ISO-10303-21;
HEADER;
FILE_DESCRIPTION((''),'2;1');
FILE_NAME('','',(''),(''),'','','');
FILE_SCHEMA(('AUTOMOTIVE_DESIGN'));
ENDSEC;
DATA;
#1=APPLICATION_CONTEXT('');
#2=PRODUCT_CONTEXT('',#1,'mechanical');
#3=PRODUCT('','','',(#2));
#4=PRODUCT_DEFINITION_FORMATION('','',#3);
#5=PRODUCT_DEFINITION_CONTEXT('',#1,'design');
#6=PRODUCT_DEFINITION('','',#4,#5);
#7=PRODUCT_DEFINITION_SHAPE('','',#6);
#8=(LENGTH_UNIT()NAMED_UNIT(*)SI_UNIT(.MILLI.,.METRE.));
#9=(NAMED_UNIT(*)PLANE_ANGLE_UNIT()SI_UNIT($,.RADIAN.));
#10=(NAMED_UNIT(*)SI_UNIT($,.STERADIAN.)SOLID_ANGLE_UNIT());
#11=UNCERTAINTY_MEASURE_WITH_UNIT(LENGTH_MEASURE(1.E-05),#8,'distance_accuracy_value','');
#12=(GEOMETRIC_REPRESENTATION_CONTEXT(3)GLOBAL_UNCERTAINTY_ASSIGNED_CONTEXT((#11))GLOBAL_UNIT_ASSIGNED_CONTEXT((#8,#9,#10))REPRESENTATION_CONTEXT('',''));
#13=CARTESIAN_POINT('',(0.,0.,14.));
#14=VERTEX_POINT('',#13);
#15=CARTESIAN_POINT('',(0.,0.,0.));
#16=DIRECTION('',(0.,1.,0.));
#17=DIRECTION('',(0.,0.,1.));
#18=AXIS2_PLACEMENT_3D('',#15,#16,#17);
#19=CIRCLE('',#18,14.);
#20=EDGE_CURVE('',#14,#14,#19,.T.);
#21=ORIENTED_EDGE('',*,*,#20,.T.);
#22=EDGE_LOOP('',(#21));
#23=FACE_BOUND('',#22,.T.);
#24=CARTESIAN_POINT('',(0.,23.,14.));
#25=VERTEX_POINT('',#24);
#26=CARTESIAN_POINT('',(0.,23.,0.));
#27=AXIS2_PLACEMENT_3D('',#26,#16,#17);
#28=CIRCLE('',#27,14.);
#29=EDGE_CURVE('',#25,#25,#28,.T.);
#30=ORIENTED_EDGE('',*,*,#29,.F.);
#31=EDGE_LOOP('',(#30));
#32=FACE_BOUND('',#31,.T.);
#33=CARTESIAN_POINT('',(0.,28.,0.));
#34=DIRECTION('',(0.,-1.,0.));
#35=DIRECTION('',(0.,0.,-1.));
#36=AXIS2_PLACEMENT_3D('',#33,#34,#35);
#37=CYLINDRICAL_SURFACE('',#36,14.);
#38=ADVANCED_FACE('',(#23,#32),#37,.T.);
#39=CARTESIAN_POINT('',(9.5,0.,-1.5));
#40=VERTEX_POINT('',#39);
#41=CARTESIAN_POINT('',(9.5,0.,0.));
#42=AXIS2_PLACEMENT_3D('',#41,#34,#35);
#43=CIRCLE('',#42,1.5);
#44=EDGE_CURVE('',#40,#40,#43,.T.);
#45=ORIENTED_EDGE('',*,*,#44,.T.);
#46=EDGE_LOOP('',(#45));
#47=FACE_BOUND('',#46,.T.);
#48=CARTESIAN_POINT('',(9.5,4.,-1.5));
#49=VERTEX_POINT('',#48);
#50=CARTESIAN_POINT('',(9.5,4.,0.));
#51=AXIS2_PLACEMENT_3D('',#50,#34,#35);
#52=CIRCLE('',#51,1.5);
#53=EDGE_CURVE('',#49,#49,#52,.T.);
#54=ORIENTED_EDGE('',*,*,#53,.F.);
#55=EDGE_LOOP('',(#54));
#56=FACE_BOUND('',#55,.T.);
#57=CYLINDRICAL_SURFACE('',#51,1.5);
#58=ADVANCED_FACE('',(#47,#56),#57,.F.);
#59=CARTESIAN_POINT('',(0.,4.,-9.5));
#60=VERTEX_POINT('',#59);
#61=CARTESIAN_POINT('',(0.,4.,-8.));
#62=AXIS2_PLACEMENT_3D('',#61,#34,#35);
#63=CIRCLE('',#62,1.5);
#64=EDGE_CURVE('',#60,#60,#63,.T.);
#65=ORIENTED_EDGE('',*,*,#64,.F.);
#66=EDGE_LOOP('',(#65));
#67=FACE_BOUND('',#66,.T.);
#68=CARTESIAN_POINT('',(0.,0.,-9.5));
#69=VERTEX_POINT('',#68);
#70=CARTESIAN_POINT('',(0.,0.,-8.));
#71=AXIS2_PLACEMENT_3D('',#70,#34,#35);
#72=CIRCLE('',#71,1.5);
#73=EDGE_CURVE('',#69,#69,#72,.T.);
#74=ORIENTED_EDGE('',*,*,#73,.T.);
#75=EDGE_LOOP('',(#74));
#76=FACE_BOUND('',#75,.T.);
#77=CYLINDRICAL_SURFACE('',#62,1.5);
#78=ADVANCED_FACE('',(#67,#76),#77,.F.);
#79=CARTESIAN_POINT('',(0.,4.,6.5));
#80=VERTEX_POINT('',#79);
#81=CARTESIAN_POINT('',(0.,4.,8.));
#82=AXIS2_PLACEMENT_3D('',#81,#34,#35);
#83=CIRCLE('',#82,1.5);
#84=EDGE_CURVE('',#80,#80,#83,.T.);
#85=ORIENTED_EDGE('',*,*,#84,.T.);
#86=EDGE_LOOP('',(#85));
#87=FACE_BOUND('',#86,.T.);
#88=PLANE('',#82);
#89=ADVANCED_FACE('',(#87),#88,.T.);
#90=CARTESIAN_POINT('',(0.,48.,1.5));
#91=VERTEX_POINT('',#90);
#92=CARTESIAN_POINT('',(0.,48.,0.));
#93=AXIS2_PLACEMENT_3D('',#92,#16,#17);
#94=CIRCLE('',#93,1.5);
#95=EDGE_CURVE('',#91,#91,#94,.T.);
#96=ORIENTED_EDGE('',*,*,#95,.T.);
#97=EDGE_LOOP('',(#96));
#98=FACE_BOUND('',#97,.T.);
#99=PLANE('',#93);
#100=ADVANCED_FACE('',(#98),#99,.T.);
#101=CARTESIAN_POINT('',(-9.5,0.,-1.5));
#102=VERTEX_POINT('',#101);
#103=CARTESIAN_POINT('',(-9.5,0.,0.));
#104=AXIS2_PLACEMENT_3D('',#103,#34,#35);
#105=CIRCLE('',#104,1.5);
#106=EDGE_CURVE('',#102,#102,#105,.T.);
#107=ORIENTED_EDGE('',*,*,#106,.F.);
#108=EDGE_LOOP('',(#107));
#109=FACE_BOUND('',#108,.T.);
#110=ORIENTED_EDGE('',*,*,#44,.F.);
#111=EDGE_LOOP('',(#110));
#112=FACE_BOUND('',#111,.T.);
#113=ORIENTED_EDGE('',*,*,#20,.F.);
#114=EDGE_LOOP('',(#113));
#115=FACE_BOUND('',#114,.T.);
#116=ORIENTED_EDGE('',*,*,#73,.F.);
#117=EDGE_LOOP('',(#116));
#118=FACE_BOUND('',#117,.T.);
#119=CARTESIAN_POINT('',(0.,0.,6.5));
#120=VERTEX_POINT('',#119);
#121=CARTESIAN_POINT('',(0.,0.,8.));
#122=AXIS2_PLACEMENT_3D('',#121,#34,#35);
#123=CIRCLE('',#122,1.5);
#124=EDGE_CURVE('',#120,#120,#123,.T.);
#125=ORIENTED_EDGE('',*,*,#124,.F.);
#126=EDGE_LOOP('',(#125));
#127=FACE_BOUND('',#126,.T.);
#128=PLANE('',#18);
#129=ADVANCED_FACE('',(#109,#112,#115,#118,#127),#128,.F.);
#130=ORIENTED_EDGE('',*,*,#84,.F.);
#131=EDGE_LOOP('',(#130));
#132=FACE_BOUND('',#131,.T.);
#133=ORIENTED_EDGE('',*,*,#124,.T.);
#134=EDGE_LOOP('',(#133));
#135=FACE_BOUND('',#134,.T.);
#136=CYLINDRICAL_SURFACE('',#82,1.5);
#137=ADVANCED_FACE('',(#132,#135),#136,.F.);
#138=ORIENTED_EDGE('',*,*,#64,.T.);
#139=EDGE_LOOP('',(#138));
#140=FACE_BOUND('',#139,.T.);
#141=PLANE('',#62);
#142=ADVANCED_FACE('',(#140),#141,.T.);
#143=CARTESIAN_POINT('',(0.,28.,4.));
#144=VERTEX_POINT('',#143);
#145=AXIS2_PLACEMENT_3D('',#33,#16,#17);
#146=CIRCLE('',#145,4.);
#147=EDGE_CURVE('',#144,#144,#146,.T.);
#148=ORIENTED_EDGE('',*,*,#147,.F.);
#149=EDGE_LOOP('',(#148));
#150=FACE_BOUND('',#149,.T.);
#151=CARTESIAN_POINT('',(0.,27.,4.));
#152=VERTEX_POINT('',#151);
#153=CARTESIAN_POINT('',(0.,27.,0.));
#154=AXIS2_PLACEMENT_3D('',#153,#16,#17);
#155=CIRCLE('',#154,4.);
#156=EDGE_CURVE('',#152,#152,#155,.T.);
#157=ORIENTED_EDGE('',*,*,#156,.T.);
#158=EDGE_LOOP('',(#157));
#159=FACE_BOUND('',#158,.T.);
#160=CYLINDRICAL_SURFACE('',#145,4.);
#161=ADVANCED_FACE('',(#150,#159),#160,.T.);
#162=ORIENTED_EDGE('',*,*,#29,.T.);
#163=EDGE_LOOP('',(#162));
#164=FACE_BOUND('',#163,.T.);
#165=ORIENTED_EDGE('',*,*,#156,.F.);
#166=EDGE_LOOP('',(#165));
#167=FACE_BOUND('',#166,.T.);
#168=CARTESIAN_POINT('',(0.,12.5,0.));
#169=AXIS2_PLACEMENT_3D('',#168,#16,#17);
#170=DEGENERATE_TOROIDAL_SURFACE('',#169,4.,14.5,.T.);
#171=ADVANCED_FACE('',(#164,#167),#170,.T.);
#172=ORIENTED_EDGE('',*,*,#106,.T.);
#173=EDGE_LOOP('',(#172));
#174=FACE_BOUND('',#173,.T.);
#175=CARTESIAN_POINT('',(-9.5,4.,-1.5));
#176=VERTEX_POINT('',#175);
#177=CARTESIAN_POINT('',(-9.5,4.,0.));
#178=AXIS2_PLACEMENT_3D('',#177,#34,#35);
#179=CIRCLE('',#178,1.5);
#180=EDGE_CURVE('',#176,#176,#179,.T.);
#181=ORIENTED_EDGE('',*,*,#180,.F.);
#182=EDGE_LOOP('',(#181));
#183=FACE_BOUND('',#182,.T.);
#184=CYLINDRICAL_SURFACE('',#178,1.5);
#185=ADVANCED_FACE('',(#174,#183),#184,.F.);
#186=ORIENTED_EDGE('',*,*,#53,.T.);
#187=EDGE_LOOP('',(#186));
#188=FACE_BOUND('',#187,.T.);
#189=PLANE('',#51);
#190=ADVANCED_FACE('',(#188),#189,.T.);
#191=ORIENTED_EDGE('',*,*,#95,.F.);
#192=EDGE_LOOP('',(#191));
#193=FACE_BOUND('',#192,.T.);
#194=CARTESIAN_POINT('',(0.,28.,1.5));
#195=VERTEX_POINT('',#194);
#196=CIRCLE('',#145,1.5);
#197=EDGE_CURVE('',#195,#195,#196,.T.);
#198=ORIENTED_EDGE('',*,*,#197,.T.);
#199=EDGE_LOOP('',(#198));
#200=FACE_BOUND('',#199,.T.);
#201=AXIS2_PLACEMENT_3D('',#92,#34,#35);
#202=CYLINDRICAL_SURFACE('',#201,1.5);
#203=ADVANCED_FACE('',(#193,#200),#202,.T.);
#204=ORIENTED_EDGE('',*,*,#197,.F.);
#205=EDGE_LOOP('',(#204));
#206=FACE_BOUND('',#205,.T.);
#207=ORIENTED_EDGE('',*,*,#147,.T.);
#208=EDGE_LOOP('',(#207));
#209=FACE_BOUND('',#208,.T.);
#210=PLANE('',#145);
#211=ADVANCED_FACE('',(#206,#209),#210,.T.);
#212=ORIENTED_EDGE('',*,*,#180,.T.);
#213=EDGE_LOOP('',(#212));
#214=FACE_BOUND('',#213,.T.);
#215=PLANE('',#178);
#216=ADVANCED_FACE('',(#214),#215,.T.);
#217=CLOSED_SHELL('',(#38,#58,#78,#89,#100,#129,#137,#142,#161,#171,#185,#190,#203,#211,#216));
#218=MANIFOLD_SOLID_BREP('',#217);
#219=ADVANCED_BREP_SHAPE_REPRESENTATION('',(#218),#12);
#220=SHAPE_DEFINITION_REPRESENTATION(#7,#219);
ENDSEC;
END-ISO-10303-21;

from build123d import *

# Parameters (mm, degrees)
SKETCH1_R           = 14
BOSS_EXTRUDE1_DEPTH = 28
SKETCH2_R           = 1.5
CUT_EXTRUDE1_DEPTH  = 4
SKETCH5_R           = 1.5
BOSS_EXTRUDE2_DEPTH = 20


with BuildPart() as part:
    # Sketch1 → Boss-Extrude1 (new body)
    with BuildSketch(Plane(origin=(0, 0, 0), x_dir=(1, 0, 0), z_dir=(0, 1, 0))):
        with Locations(Location((0, 0, 0), (0, 0, 270))):
            Circle(SKETCH1_R)
    extrude(amount=BOSS_EXTRUDE1_DEPTH)

    # Sketch2 → Cut-Extrude1 (cut)
    with BuildSketch(Plane.XZ):
        with Locations(Location((0, 8, 0), (0, 0, 270))):
            Circle(SKETCH2_R)
        with Locations(Location((9.5, 0, 0), (0, 0, 270))):
            Circle(SKETCH2_R)
        with Locations(Location((0, -8, 0), (0, 0, 270))):
            Circle(SKETCH2_R)
        with Locations(Location((-9.5, 0, 0), (0, 0, 270))):
            Circle(SKETCH2_R)
    extrude(amount=-CUT_EXTRUDE1_DEPTH, mode=Mode.SUBTRACT)

    # Sketch4 → Cut-Revolve1 (revolve, cut)
    with BuildSketch(Plane.XY, mode=Mode.PRIVATE) as cut_revolve1_sk:
        with BuildLine():
            Line((-14, 23), (-14, 28))
            Line((-14, 28), (-4, 28))
            Line((-4, 28), (-4, 27))
            ThreePointArc((-4, 27), (-9.385164807, 25.962912018), (-14, 23))
        make_face()
    revolve(cut_revolve1_sk.sketch.rotate(Axis((0, 28, 0), (0, -1, 0)), 270), axis=Axis((0, 28, 0), (0, -1, 0)), mode=Mode.SUBTRACT)

    # Sketch5 → Boss-Extrude2 (add)
    with BuildSketch(Plane(origin=(0, 28, 0), x_dir=(1, 0, 0), z_dir=(0, 1, 0))):
        with Locations(Location((0, 0, 0), (0, 0, 270))):
            Circle(SKETCH5_R)
    extrude(amount=BOSS_EXTRUDE2_DEPTH)


solid = part.part
